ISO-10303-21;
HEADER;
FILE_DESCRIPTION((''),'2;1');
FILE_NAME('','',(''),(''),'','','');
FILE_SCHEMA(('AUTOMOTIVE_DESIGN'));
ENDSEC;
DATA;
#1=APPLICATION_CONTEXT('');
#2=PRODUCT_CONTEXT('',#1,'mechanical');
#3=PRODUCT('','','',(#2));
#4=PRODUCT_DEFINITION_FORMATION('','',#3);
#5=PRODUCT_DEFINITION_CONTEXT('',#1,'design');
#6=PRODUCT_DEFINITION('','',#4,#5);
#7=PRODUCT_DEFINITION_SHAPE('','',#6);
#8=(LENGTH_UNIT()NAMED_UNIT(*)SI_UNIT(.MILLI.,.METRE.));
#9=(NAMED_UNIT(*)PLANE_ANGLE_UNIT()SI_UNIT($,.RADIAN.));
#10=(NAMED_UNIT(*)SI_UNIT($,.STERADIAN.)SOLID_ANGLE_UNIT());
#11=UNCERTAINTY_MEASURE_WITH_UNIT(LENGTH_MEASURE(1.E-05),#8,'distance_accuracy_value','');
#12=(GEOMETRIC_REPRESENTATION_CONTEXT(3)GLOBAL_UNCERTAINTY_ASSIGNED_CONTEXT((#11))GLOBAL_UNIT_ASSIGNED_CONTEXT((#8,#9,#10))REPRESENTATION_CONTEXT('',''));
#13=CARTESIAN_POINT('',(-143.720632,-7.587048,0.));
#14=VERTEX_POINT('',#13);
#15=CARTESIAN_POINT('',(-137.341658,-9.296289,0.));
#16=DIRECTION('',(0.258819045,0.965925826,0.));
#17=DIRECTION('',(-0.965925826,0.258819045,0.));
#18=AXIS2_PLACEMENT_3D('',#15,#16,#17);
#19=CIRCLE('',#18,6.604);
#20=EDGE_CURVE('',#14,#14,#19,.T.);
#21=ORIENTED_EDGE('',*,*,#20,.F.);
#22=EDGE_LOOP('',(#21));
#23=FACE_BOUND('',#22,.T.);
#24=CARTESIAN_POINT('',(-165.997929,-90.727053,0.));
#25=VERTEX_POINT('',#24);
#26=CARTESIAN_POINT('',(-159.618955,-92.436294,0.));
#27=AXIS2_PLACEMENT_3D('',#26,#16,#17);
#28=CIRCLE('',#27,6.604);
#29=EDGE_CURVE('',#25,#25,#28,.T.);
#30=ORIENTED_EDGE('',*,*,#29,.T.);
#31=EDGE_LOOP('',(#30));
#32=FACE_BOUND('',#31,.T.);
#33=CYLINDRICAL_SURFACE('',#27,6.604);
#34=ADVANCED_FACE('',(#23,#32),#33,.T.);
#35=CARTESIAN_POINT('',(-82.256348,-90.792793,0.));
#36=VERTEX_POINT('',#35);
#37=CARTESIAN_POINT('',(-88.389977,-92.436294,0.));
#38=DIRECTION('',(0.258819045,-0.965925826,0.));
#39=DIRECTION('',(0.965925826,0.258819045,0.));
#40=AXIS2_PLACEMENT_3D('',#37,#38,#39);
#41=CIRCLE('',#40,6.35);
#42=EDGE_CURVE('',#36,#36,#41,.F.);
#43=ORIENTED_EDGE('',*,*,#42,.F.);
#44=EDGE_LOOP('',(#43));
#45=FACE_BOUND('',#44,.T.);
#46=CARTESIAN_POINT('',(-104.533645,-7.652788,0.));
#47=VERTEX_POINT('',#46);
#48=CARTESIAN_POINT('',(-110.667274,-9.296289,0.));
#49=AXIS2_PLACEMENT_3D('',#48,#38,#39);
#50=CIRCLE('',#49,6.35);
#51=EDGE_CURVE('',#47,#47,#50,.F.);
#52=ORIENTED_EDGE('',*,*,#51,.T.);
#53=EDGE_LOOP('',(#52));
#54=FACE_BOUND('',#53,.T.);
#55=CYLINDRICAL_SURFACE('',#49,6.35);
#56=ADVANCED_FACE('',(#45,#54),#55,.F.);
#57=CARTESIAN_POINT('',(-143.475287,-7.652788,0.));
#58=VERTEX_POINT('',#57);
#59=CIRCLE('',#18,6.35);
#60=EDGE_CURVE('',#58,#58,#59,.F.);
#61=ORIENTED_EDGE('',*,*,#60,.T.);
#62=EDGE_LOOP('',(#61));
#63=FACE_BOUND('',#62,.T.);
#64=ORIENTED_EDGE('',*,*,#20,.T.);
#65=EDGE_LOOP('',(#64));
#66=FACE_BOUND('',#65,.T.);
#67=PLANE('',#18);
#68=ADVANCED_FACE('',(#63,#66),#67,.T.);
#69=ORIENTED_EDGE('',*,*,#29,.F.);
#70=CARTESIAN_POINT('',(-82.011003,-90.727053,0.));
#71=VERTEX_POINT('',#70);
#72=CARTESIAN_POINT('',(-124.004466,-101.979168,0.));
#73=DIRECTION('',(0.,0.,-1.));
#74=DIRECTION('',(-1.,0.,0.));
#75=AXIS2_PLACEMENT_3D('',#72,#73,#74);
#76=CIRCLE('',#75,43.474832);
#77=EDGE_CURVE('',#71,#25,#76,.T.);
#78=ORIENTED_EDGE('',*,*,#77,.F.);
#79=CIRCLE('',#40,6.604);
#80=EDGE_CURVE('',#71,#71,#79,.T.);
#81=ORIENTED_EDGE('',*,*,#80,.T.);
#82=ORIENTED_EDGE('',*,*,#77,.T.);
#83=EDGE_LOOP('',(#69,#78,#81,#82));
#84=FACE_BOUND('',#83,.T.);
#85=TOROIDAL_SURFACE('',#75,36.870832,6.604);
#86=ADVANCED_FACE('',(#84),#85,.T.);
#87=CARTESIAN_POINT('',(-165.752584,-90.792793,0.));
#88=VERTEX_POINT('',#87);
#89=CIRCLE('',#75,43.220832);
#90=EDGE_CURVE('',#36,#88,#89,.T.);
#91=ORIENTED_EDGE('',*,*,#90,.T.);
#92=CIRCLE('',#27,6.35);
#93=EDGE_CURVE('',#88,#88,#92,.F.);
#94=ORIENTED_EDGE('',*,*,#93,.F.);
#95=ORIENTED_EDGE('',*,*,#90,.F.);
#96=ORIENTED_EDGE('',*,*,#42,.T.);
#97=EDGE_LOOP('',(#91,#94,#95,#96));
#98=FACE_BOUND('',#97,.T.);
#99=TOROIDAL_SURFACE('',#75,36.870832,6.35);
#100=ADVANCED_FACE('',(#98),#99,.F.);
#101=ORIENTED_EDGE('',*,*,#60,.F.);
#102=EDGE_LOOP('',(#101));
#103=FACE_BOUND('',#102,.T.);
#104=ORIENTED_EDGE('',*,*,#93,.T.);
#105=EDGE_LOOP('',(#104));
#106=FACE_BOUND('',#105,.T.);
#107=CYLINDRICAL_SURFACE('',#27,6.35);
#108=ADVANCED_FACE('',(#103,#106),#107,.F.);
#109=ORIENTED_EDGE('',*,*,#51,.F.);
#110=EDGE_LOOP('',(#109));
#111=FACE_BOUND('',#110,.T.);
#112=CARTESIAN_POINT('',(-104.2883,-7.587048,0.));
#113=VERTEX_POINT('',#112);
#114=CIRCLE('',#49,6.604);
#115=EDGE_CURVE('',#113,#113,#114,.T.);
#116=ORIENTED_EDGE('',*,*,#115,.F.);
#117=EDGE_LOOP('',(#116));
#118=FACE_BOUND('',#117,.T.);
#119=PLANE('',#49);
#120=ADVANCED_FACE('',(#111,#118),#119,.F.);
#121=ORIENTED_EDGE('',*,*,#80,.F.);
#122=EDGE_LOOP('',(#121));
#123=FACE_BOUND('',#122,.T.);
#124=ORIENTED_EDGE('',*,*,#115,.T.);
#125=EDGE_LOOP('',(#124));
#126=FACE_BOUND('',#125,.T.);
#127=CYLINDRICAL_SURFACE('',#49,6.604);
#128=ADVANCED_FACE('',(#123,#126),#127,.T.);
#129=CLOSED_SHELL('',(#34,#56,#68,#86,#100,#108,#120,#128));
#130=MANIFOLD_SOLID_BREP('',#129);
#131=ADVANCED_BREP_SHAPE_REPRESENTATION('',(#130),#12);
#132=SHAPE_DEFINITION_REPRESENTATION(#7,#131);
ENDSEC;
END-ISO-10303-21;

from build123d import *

# Parameters (mm, degrees)
SKETCH2_R   = 6.604
SKETCH2_R_2 = 6.35


with BuildPart() as part:
    # Sweep1: sweep along a path in Sketch1
    with BuildLine(Plane.XY) as sweep1_path:
        Line((-137.341657843, -9.296288517), (-159.618955177, -92.436294023))
        ThreePointArc((-159.618955177, -92.436294023), (-124.004465969, -138.85), (-88.389976761, -92.436294023))
        Line((-88.389976761, -92.436294023), (-110.667274096, -9.296288517))
    # Sketch2 → Sweep1 (sweep)
    with BuildSketch(Plane(origin=(-110.667274096, -9.296288517, 0), x_dir=(-0.965925826, -0.258819045, 0), z_dir=(0.258819045, -0.965925826, 0))):
        Circle(SKETCH2_R)
        Circle(SKETCH2_R_2, mode=Mode.SUBTRACT)
    sweep(path=sweep1_path.line)


solid = part.part
